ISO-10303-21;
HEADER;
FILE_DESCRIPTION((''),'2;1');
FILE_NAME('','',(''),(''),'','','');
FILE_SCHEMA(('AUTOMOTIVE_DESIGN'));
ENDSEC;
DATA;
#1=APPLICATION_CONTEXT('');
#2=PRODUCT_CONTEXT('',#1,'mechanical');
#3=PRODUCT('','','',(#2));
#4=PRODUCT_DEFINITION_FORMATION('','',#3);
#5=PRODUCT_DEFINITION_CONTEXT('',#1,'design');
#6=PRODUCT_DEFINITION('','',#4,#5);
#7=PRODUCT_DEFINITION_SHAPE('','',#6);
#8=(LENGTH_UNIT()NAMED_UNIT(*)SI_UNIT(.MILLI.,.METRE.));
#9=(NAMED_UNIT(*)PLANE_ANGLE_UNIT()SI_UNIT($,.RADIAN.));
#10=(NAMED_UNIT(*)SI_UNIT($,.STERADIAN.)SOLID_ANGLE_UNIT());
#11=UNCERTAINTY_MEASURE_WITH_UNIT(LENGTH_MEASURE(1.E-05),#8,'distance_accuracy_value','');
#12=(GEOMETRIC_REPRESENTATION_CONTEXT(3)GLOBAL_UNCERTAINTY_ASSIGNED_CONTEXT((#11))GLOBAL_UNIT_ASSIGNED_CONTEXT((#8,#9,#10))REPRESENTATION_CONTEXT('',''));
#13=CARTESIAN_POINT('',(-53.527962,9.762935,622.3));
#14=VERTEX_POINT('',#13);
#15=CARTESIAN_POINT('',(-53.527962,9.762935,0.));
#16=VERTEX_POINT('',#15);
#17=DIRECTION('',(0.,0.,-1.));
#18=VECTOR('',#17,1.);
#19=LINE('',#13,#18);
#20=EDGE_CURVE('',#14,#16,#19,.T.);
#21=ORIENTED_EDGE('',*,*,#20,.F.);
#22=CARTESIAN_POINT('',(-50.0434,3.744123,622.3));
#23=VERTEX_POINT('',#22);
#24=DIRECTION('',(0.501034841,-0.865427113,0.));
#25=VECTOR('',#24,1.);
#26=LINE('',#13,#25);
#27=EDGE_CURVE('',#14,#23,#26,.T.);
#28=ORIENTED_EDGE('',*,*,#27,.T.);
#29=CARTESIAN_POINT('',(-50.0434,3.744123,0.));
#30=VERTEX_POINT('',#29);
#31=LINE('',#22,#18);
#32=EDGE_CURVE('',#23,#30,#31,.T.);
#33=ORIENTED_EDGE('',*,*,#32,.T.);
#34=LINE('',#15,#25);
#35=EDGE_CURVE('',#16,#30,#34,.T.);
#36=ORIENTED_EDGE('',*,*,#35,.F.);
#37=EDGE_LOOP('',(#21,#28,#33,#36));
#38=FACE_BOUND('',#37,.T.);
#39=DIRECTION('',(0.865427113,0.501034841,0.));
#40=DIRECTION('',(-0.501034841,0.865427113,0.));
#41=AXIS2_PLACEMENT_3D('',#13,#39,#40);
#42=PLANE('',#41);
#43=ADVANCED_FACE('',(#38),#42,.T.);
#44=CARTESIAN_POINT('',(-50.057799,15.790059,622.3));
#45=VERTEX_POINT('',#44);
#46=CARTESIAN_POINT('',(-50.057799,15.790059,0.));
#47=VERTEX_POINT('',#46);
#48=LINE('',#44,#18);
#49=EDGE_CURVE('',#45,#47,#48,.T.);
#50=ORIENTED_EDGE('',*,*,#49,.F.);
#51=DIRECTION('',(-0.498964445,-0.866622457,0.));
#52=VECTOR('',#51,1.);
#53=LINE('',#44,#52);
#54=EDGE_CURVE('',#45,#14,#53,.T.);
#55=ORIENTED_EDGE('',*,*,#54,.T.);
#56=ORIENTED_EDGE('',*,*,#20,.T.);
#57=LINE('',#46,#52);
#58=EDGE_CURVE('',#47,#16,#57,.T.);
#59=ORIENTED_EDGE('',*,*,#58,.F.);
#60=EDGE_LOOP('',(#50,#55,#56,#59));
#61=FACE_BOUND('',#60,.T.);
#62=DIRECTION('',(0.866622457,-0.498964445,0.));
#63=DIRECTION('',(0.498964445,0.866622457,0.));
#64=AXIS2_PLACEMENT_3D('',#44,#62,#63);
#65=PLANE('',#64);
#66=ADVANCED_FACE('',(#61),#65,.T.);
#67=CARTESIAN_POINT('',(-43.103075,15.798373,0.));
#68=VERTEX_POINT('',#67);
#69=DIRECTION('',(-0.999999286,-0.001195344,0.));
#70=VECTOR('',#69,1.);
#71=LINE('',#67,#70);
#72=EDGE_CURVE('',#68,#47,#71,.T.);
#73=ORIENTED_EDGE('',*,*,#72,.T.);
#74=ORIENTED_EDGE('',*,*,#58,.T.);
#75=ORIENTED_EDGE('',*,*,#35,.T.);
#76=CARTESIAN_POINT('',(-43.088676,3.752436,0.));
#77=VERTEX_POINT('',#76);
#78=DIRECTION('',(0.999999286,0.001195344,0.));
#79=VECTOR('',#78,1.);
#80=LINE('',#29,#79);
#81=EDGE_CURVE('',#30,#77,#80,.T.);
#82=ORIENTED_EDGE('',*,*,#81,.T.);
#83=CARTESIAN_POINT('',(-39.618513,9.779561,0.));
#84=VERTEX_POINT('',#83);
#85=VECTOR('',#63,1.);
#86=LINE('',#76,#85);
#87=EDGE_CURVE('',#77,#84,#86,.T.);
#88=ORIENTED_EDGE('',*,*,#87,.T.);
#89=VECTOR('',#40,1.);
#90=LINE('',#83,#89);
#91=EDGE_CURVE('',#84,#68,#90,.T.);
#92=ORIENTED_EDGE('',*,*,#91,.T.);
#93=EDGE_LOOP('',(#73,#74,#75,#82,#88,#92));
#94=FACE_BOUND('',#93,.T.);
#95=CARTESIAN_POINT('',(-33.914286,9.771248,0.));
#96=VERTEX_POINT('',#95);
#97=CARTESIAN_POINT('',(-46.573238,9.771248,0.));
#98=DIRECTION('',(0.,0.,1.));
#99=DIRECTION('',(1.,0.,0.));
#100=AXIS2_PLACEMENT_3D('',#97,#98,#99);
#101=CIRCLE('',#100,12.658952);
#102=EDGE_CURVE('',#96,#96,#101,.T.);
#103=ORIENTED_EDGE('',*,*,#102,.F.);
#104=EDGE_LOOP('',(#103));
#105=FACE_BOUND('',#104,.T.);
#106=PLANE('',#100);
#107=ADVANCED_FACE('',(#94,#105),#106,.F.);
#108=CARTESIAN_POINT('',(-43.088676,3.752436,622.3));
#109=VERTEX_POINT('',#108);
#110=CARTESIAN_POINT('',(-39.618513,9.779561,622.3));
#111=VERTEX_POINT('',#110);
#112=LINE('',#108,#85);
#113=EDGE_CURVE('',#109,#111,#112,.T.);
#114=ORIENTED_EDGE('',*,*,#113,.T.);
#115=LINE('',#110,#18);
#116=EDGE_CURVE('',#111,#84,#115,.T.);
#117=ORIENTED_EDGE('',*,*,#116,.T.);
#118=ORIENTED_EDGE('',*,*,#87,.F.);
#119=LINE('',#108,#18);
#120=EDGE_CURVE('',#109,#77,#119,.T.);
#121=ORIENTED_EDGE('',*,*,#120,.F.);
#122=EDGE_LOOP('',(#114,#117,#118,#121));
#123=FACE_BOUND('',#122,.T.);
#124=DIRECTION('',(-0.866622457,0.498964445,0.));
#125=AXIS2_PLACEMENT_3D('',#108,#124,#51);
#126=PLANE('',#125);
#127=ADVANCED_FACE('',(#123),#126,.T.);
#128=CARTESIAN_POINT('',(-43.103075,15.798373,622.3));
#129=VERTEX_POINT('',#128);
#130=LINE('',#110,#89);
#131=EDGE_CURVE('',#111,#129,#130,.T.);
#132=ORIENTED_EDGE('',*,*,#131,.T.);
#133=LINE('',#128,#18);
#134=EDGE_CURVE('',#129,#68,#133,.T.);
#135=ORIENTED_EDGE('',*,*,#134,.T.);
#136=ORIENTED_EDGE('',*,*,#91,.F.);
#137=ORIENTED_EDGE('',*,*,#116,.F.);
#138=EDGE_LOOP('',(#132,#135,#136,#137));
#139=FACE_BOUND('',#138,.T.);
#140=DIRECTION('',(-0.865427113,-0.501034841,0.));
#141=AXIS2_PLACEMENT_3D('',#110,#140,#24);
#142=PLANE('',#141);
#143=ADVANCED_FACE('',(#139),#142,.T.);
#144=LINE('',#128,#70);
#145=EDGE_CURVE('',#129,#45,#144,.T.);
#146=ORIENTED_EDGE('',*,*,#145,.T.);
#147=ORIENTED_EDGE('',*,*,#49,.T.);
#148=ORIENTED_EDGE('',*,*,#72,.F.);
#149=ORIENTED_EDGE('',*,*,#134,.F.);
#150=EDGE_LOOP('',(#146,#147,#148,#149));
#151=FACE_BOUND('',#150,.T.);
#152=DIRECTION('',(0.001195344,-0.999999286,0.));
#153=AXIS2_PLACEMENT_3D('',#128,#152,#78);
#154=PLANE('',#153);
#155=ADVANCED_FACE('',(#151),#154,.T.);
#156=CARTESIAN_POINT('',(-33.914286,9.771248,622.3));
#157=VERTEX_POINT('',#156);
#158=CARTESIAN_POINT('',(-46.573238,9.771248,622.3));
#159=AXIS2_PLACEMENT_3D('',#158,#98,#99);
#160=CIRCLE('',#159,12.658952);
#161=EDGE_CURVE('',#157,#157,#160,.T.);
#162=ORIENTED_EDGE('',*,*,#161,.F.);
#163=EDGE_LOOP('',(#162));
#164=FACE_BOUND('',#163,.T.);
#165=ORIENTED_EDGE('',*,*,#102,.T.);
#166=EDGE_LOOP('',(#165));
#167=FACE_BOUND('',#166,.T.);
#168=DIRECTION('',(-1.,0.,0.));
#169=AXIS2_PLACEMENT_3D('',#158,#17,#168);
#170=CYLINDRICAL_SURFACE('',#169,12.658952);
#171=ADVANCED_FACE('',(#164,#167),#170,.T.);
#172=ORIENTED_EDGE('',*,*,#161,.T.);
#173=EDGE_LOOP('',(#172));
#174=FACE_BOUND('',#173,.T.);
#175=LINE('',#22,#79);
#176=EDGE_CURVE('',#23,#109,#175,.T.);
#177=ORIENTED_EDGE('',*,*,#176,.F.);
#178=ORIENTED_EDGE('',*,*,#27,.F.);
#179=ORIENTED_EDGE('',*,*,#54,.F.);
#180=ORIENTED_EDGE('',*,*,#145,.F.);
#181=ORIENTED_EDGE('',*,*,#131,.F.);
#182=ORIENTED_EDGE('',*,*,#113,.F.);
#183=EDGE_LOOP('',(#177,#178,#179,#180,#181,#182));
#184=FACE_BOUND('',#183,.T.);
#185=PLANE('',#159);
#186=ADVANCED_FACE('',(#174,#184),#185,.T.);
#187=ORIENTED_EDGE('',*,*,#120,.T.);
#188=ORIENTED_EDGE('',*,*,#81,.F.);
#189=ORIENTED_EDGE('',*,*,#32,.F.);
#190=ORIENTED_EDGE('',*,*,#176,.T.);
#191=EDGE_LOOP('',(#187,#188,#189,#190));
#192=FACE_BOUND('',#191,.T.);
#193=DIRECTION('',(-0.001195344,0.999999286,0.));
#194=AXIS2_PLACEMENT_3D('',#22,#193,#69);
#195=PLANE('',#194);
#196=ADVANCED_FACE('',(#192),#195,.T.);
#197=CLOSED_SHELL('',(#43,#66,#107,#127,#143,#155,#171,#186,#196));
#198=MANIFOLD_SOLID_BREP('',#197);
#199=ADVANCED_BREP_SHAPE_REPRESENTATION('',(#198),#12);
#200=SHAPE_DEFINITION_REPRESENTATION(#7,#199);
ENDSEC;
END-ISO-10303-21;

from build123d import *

# Parameters (mm, degrees)
SKETCH2_R           = 12.658951853
BOSS_EXTRUDE4_DEPTH = 622.3


with BuildPart() as part:
    # Sketch2 → Boss-Extrude4 (new body)
    with BuildSketch(Plane.XY):
        with Locations((-46.573237559, 9.77124788)):
            Circle(SKETCH2_R)
        Polygon((-43.103074761, 15.798372741), (-50.057799401, 15.790059449), (-53.5279622, 9.762934589), (-50.043400358, 3.744123019), (-43.088675718, 3.752436311), (-39.618512919, 9.779561172), align=None, mode=Mode.SUBTRACT)
    extrude(amount=BOSS_EXTRUDE4_DEPTH)


solid = part.part
